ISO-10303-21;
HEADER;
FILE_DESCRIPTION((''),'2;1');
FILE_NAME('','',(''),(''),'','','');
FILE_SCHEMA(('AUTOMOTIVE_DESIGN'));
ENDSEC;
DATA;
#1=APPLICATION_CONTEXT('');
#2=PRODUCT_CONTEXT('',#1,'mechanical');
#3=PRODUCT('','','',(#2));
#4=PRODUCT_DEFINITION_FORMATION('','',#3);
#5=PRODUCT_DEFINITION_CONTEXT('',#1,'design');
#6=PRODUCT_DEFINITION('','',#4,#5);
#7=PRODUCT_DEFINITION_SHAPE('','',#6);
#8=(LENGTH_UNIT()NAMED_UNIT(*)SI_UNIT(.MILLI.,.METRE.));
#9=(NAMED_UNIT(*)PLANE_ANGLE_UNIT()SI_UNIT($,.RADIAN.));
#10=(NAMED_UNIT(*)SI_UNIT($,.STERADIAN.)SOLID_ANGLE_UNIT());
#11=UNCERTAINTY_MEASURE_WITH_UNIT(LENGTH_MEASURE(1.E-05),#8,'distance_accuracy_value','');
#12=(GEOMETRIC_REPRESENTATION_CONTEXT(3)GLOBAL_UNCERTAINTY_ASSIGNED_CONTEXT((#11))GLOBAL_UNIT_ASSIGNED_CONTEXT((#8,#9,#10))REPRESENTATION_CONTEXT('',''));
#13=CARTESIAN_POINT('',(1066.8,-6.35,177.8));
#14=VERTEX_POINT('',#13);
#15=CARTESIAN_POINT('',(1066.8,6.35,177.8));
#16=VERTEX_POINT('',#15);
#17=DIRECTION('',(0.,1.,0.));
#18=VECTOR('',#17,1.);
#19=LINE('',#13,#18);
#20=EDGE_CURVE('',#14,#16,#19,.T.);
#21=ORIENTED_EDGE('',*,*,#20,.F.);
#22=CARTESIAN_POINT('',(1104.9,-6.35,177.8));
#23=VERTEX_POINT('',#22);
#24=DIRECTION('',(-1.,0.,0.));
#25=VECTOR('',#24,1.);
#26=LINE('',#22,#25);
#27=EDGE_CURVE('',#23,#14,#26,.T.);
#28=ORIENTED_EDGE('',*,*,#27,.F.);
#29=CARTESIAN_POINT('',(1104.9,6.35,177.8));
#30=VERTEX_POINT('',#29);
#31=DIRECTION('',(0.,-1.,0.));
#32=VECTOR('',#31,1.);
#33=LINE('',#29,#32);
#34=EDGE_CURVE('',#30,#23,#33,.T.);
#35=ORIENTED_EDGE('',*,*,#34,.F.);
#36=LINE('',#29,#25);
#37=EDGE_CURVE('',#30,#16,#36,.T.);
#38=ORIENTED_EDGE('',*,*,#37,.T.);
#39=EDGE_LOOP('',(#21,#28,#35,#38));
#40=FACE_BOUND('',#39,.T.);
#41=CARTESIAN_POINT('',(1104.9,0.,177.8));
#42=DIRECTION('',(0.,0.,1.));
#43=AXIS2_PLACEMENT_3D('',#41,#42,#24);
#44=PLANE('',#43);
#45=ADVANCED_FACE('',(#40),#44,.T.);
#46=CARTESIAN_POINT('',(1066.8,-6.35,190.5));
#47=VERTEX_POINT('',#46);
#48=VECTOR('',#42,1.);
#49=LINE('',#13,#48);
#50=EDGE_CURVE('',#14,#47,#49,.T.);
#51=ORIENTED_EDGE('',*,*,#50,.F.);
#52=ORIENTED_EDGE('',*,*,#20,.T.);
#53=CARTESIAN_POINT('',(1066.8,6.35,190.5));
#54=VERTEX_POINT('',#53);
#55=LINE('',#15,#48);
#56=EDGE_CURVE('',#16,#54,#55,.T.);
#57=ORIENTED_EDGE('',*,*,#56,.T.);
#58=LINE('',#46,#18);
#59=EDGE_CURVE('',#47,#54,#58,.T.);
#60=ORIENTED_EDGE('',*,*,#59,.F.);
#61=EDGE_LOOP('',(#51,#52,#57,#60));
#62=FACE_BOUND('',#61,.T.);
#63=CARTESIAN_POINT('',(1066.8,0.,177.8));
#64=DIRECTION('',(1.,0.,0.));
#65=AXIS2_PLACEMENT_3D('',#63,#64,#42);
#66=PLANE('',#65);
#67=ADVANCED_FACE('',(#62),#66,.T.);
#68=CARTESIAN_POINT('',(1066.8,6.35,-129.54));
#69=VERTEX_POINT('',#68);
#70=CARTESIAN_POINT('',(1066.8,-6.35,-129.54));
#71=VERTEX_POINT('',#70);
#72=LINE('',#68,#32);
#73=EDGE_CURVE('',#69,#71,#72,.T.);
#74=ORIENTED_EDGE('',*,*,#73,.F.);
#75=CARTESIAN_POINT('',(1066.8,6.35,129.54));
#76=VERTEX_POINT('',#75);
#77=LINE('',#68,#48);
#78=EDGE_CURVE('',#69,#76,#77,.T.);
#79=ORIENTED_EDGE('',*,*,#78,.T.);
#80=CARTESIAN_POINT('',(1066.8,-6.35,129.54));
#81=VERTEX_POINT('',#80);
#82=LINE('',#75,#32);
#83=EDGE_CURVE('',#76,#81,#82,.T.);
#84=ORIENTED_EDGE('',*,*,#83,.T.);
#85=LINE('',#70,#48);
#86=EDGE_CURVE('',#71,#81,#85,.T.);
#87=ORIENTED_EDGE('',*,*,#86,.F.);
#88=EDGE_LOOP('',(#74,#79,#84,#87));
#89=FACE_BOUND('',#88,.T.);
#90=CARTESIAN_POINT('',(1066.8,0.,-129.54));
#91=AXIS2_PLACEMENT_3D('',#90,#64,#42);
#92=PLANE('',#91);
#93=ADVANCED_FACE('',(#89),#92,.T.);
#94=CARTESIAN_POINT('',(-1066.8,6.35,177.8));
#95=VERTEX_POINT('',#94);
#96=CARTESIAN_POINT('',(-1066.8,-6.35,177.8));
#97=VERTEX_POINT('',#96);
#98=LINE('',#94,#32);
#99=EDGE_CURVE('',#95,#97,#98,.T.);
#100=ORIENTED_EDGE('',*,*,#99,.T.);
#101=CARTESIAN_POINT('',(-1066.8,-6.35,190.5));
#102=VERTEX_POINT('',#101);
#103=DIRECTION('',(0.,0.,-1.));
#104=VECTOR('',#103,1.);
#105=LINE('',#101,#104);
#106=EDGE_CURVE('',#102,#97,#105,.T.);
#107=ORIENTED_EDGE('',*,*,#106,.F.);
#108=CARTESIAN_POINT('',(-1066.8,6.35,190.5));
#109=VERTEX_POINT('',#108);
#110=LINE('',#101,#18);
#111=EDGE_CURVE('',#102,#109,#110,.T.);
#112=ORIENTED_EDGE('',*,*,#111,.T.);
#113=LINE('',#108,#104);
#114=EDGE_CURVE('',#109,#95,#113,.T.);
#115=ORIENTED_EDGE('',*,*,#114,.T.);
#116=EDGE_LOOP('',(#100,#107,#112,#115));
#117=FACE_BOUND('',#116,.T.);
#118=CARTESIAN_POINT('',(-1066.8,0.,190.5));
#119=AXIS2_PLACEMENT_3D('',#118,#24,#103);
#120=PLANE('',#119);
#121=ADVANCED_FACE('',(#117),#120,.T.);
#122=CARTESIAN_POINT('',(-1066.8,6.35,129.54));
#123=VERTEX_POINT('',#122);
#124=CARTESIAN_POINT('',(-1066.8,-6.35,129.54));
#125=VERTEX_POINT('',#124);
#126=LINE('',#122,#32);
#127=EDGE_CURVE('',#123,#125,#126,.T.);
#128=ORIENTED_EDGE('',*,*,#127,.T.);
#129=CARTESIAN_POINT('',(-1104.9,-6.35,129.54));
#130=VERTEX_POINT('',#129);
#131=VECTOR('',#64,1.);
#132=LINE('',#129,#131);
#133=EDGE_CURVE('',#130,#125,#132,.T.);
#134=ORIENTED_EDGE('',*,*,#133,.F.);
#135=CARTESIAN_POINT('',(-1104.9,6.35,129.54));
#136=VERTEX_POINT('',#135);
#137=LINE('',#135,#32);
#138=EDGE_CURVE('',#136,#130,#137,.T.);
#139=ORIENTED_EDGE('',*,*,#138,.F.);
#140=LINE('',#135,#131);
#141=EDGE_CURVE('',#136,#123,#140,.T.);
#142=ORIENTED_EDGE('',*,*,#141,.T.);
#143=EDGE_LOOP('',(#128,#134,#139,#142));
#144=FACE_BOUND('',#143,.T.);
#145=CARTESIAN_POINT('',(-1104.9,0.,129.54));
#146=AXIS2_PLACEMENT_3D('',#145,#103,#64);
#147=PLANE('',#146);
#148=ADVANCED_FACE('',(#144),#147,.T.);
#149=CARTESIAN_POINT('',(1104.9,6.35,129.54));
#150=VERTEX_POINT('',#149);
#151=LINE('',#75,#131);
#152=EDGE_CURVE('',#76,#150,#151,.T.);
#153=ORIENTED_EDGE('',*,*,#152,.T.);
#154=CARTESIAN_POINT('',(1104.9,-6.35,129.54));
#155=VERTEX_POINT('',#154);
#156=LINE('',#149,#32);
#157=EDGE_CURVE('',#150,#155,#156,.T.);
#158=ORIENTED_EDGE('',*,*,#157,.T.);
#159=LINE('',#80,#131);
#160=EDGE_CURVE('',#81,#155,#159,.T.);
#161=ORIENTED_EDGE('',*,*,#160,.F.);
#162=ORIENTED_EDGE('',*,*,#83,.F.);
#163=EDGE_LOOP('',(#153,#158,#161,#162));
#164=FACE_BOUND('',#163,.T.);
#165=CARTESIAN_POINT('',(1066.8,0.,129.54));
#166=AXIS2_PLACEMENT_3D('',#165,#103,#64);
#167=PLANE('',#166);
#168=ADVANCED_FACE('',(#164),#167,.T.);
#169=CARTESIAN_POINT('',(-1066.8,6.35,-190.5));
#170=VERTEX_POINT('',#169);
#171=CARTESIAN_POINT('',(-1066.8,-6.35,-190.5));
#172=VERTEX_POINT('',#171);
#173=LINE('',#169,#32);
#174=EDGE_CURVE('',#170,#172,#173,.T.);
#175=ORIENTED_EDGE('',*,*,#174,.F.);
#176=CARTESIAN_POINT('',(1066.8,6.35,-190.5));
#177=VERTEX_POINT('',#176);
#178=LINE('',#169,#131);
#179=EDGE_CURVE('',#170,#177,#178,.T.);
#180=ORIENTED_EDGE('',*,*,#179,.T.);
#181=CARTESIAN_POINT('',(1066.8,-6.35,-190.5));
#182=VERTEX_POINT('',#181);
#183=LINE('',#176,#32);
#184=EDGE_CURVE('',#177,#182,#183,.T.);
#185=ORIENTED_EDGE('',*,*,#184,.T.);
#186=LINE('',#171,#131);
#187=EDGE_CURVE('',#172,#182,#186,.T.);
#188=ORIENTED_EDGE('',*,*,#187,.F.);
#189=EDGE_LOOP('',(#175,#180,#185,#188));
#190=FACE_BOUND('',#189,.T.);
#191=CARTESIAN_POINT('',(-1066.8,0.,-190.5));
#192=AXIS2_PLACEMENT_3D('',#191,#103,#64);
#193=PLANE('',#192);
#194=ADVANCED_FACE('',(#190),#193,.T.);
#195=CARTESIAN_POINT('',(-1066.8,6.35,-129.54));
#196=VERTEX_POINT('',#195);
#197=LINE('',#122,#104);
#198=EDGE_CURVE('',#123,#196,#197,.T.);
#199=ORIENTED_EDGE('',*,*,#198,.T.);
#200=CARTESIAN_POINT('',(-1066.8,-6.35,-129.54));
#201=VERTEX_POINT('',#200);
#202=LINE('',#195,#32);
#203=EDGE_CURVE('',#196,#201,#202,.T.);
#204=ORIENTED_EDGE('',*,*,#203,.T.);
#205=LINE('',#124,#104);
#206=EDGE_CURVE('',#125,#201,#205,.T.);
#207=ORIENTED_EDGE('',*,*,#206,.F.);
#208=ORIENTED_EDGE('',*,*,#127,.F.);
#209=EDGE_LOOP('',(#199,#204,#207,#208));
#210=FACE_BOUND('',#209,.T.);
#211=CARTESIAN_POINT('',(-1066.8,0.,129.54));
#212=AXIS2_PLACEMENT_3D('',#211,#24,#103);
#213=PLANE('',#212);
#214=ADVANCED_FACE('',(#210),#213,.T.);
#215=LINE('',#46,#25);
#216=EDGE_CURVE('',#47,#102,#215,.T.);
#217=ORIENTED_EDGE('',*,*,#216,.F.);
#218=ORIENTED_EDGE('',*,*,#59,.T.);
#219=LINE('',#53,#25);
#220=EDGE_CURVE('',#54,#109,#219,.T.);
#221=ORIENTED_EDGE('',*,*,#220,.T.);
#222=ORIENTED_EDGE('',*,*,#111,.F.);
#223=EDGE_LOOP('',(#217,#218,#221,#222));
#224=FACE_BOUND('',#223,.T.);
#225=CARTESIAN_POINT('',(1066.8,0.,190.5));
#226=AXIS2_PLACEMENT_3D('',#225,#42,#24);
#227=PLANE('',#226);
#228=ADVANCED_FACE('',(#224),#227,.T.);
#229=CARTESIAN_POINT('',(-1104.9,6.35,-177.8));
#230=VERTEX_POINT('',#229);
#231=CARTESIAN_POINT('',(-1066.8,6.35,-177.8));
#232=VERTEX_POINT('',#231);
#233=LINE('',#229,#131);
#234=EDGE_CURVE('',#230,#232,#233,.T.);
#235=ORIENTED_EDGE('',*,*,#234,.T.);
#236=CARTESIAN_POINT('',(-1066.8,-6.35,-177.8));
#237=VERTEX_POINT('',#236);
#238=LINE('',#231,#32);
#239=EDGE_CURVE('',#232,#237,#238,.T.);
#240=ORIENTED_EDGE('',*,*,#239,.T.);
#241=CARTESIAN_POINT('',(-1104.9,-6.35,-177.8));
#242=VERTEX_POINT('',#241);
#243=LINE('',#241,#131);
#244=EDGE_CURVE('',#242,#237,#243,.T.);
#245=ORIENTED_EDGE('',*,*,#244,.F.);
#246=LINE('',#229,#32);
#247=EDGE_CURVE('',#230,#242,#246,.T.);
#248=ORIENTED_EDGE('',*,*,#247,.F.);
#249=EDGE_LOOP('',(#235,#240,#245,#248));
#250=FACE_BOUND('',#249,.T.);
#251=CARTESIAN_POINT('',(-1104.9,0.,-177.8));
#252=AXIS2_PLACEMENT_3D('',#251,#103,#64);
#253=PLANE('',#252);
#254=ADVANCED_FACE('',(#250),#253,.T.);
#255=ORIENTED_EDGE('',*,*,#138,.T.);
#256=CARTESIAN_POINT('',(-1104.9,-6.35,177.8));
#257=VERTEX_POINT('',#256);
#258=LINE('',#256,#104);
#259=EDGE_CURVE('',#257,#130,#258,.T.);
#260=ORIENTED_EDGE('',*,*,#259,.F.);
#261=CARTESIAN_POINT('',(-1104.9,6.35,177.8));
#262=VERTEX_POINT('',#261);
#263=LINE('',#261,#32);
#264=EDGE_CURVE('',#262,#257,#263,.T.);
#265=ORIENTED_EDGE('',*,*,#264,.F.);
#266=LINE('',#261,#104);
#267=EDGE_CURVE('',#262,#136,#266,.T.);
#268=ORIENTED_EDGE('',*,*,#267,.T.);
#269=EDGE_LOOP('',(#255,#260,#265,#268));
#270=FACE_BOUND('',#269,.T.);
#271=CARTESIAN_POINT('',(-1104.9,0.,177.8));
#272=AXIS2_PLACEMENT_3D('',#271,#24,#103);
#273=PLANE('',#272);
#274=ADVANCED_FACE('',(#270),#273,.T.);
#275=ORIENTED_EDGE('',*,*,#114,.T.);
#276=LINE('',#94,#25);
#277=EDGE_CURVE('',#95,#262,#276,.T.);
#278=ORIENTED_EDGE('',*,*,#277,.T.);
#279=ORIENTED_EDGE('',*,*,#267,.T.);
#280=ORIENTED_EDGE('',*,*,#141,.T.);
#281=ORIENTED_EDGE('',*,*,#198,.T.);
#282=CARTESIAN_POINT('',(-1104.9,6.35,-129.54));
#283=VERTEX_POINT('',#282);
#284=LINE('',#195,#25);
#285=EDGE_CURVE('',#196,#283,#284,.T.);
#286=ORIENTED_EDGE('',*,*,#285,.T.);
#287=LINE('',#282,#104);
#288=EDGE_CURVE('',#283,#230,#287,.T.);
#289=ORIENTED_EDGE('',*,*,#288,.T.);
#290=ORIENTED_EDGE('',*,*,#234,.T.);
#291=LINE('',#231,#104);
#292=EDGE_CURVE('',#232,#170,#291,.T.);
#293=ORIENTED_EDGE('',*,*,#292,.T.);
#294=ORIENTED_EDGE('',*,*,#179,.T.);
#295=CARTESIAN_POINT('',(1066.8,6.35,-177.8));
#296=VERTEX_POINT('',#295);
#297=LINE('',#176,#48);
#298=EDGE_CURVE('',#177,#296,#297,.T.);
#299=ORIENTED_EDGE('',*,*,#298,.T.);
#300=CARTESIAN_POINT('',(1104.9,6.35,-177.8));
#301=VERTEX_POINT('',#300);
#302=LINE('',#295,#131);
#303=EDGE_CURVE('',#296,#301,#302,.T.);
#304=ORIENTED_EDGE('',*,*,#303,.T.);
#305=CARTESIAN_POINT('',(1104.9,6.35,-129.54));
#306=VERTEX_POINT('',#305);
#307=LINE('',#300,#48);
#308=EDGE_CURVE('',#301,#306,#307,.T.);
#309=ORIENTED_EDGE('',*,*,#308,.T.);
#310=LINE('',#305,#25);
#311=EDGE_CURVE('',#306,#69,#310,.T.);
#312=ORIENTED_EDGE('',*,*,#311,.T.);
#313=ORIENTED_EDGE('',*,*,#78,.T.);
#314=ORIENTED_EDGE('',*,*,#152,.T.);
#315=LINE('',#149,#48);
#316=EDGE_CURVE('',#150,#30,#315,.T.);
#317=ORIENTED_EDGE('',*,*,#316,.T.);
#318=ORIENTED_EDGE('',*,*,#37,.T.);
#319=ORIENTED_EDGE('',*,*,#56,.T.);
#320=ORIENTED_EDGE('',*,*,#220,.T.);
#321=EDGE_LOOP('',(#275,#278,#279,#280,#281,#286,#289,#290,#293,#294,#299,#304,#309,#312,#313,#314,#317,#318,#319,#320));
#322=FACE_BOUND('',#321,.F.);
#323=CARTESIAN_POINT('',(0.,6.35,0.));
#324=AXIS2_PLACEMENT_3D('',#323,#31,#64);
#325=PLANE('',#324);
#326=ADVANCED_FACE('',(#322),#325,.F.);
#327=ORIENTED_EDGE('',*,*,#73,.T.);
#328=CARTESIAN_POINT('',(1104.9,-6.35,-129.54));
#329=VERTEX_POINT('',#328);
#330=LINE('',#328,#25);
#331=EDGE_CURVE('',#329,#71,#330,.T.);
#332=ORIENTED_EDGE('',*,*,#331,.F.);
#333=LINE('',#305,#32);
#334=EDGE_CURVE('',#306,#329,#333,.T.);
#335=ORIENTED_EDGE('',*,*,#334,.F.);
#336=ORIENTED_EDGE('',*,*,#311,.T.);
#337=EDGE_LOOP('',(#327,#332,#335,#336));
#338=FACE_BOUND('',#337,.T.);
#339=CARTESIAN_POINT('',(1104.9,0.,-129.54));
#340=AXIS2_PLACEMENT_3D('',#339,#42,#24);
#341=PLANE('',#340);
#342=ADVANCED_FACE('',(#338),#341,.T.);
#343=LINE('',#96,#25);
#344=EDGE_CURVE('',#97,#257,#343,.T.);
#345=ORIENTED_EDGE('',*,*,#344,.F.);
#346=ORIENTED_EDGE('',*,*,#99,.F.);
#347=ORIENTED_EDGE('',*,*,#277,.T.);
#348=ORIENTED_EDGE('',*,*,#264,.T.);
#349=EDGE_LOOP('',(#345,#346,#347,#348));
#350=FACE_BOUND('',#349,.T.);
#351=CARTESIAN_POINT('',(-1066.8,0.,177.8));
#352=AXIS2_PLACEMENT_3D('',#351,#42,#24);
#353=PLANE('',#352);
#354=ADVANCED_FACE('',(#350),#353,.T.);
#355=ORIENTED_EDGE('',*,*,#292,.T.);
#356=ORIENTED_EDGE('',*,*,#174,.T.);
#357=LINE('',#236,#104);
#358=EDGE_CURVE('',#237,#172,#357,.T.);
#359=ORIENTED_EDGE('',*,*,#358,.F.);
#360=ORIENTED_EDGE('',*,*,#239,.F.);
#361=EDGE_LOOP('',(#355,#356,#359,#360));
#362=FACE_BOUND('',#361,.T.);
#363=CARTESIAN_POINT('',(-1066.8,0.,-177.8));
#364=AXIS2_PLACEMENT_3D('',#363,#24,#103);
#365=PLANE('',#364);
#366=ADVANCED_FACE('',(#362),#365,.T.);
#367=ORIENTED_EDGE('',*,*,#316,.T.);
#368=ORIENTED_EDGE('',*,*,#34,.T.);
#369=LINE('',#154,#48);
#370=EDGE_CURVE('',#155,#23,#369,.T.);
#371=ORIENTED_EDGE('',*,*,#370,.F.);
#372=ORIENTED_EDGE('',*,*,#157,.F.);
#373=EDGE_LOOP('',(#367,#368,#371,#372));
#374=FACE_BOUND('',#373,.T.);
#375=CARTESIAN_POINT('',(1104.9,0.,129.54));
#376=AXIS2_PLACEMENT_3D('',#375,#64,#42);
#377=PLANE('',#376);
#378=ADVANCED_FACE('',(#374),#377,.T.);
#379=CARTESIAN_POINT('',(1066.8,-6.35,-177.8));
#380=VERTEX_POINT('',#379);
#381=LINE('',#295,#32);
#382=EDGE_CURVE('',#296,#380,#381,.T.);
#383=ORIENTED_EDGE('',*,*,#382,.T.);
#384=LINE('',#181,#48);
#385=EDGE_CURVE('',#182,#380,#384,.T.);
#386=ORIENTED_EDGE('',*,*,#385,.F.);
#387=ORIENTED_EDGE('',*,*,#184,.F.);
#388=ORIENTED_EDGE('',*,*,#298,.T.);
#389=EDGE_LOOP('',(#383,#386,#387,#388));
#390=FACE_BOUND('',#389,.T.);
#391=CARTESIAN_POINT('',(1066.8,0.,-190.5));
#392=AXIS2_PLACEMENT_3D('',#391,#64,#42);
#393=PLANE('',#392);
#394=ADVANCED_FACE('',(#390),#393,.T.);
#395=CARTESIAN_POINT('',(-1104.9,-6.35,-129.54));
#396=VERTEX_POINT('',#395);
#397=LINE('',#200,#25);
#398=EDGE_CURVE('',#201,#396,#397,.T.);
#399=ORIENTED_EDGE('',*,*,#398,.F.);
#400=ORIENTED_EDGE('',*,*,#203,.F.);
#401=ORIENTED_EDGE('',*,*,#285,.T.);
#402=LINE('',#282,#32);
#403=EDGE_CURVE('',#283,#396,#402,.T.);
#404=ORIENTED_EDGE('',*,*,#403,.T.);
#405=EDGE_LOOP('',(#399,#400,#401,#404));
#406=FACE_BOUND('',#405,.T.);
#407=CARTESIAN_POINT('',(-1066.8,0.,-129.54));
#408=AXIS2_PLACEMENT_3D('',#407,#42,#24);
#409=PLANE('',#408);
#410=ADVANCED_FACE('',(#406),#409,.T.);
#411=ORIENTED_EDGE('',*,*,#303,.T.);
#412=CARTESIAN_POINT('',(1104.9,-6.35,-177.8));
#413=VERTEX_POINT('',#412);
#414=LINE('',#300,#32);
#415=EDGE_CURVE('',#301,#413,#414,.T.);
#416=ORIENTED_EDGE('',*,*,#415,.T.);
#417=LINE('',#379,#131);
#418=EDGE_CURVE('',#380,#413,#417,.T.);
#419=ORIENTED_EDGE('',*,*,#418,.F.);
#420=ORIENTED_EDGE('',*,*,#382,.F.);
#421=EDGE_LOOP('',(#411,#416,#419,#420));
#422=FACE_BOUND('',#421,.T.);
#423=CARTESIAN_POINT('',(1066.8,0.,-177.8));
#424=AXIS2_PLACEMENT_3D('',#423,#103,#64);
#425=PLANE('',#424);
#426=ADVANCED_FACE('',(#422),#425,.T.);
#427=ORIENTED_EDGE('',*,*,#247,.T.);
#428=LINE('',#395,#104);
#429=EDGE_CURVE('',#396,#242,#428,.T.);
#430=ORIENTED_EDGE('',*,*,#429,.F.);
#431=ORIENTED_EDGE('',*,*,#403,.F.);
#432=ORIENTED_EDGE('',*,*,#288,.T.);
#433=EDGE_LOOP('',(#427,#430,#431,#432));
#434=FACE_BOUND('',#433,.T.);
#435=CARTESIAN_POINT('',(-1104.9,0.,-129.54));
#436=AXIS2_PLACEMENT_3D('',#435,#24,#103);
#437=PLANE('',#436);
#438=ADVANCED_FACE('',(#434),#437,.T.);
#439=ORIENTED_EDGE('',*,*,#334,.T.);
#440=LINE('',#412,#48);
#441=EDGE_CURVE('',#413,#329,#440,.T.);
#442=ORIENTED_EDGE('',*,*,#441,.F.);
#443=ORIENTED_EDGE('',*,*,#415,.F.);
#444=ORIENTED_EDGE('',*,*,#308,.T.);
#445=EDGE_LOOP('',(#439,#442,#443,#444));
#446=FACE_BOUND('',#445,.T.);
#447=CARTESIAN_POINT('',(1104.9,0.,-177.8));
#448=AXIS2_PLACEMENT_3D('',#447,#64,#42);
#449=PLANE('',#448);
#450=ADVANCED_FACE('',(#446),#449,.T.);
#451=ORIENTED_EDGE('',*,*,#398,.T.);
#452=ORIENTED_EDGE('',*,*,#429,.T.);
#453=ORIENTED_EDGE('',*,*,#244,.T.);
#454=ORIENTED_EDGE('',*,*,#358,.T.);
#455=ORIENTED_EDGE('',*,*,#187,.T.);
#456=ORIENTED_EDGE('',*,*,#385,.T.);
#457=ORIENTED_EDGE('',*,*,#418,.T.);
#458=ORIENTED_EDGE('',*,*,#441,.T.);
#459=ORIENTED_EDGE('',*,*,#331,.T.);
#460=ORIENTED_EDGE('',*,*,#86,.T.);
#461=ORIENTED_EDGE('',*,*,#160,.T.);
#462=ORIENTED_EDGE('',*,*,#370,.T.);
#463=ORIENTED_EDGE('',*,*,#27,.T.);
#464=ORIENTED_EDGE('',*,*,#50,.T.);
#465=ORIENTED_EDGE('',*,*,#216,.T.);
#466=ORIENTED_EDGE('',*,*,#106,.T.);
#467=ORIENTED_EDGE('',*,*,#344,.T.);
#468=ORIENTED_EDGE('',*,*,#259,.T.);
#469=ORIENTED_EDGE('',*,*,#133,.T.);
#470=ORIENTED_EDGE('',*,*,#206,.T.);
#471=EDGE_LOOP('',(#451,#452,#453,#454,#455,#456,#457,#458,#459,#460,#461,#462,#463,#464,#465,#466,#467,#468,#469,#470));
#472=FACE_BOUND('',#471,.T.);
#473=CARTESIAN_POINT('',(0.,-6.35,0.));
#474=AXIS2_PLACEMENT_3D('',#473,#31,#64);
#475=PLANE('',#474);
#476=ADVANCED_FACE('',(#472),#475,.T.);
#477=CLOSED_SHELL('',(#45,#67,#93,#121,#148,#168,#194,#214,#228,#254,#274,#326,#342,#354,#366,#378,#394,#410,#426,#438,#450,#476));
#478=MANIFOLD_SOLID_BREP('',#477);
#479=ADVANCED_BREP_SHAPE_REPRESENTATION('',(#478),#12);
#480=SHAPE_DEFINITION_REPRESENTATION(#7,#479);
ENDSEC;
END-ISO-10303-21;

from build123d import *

# Parameters (mm, degrees)
F1_DEPTH = 6.35


with BuildPart() as f1:
    # F0 (on Front) → F1 (new body, symmetric)
    with BuildSketch(Plane.XZ):
        Polygon((0, 190.5), (-1066.8, 190.5), (-1066.8, 177.8), (-1104.9, 177.8), (-1104.9, 129.54), (-1066.8, 129.54), (-1066.8, 0), (-1066.8, -129.54), (-1104.9, -129.54), (-1104.9, -177.8), (-1066.8, -177.8), (-1066.8, -190.5), (0, -190.5), (1066.8, -190.5), (1066.8, -177.8), (1104.9, -177.8), (1104.9, -129.54), (1066.8, -129.54), (1066.8, 0), (1066.8, 129.54), (1104.9, 129.54), (1104.9, 177.8), (1066.8, 177.8), (1066.8, 190.5), align=None)
    extrude(amount=F1_DEPTH, both=True)


solid = f1.part
